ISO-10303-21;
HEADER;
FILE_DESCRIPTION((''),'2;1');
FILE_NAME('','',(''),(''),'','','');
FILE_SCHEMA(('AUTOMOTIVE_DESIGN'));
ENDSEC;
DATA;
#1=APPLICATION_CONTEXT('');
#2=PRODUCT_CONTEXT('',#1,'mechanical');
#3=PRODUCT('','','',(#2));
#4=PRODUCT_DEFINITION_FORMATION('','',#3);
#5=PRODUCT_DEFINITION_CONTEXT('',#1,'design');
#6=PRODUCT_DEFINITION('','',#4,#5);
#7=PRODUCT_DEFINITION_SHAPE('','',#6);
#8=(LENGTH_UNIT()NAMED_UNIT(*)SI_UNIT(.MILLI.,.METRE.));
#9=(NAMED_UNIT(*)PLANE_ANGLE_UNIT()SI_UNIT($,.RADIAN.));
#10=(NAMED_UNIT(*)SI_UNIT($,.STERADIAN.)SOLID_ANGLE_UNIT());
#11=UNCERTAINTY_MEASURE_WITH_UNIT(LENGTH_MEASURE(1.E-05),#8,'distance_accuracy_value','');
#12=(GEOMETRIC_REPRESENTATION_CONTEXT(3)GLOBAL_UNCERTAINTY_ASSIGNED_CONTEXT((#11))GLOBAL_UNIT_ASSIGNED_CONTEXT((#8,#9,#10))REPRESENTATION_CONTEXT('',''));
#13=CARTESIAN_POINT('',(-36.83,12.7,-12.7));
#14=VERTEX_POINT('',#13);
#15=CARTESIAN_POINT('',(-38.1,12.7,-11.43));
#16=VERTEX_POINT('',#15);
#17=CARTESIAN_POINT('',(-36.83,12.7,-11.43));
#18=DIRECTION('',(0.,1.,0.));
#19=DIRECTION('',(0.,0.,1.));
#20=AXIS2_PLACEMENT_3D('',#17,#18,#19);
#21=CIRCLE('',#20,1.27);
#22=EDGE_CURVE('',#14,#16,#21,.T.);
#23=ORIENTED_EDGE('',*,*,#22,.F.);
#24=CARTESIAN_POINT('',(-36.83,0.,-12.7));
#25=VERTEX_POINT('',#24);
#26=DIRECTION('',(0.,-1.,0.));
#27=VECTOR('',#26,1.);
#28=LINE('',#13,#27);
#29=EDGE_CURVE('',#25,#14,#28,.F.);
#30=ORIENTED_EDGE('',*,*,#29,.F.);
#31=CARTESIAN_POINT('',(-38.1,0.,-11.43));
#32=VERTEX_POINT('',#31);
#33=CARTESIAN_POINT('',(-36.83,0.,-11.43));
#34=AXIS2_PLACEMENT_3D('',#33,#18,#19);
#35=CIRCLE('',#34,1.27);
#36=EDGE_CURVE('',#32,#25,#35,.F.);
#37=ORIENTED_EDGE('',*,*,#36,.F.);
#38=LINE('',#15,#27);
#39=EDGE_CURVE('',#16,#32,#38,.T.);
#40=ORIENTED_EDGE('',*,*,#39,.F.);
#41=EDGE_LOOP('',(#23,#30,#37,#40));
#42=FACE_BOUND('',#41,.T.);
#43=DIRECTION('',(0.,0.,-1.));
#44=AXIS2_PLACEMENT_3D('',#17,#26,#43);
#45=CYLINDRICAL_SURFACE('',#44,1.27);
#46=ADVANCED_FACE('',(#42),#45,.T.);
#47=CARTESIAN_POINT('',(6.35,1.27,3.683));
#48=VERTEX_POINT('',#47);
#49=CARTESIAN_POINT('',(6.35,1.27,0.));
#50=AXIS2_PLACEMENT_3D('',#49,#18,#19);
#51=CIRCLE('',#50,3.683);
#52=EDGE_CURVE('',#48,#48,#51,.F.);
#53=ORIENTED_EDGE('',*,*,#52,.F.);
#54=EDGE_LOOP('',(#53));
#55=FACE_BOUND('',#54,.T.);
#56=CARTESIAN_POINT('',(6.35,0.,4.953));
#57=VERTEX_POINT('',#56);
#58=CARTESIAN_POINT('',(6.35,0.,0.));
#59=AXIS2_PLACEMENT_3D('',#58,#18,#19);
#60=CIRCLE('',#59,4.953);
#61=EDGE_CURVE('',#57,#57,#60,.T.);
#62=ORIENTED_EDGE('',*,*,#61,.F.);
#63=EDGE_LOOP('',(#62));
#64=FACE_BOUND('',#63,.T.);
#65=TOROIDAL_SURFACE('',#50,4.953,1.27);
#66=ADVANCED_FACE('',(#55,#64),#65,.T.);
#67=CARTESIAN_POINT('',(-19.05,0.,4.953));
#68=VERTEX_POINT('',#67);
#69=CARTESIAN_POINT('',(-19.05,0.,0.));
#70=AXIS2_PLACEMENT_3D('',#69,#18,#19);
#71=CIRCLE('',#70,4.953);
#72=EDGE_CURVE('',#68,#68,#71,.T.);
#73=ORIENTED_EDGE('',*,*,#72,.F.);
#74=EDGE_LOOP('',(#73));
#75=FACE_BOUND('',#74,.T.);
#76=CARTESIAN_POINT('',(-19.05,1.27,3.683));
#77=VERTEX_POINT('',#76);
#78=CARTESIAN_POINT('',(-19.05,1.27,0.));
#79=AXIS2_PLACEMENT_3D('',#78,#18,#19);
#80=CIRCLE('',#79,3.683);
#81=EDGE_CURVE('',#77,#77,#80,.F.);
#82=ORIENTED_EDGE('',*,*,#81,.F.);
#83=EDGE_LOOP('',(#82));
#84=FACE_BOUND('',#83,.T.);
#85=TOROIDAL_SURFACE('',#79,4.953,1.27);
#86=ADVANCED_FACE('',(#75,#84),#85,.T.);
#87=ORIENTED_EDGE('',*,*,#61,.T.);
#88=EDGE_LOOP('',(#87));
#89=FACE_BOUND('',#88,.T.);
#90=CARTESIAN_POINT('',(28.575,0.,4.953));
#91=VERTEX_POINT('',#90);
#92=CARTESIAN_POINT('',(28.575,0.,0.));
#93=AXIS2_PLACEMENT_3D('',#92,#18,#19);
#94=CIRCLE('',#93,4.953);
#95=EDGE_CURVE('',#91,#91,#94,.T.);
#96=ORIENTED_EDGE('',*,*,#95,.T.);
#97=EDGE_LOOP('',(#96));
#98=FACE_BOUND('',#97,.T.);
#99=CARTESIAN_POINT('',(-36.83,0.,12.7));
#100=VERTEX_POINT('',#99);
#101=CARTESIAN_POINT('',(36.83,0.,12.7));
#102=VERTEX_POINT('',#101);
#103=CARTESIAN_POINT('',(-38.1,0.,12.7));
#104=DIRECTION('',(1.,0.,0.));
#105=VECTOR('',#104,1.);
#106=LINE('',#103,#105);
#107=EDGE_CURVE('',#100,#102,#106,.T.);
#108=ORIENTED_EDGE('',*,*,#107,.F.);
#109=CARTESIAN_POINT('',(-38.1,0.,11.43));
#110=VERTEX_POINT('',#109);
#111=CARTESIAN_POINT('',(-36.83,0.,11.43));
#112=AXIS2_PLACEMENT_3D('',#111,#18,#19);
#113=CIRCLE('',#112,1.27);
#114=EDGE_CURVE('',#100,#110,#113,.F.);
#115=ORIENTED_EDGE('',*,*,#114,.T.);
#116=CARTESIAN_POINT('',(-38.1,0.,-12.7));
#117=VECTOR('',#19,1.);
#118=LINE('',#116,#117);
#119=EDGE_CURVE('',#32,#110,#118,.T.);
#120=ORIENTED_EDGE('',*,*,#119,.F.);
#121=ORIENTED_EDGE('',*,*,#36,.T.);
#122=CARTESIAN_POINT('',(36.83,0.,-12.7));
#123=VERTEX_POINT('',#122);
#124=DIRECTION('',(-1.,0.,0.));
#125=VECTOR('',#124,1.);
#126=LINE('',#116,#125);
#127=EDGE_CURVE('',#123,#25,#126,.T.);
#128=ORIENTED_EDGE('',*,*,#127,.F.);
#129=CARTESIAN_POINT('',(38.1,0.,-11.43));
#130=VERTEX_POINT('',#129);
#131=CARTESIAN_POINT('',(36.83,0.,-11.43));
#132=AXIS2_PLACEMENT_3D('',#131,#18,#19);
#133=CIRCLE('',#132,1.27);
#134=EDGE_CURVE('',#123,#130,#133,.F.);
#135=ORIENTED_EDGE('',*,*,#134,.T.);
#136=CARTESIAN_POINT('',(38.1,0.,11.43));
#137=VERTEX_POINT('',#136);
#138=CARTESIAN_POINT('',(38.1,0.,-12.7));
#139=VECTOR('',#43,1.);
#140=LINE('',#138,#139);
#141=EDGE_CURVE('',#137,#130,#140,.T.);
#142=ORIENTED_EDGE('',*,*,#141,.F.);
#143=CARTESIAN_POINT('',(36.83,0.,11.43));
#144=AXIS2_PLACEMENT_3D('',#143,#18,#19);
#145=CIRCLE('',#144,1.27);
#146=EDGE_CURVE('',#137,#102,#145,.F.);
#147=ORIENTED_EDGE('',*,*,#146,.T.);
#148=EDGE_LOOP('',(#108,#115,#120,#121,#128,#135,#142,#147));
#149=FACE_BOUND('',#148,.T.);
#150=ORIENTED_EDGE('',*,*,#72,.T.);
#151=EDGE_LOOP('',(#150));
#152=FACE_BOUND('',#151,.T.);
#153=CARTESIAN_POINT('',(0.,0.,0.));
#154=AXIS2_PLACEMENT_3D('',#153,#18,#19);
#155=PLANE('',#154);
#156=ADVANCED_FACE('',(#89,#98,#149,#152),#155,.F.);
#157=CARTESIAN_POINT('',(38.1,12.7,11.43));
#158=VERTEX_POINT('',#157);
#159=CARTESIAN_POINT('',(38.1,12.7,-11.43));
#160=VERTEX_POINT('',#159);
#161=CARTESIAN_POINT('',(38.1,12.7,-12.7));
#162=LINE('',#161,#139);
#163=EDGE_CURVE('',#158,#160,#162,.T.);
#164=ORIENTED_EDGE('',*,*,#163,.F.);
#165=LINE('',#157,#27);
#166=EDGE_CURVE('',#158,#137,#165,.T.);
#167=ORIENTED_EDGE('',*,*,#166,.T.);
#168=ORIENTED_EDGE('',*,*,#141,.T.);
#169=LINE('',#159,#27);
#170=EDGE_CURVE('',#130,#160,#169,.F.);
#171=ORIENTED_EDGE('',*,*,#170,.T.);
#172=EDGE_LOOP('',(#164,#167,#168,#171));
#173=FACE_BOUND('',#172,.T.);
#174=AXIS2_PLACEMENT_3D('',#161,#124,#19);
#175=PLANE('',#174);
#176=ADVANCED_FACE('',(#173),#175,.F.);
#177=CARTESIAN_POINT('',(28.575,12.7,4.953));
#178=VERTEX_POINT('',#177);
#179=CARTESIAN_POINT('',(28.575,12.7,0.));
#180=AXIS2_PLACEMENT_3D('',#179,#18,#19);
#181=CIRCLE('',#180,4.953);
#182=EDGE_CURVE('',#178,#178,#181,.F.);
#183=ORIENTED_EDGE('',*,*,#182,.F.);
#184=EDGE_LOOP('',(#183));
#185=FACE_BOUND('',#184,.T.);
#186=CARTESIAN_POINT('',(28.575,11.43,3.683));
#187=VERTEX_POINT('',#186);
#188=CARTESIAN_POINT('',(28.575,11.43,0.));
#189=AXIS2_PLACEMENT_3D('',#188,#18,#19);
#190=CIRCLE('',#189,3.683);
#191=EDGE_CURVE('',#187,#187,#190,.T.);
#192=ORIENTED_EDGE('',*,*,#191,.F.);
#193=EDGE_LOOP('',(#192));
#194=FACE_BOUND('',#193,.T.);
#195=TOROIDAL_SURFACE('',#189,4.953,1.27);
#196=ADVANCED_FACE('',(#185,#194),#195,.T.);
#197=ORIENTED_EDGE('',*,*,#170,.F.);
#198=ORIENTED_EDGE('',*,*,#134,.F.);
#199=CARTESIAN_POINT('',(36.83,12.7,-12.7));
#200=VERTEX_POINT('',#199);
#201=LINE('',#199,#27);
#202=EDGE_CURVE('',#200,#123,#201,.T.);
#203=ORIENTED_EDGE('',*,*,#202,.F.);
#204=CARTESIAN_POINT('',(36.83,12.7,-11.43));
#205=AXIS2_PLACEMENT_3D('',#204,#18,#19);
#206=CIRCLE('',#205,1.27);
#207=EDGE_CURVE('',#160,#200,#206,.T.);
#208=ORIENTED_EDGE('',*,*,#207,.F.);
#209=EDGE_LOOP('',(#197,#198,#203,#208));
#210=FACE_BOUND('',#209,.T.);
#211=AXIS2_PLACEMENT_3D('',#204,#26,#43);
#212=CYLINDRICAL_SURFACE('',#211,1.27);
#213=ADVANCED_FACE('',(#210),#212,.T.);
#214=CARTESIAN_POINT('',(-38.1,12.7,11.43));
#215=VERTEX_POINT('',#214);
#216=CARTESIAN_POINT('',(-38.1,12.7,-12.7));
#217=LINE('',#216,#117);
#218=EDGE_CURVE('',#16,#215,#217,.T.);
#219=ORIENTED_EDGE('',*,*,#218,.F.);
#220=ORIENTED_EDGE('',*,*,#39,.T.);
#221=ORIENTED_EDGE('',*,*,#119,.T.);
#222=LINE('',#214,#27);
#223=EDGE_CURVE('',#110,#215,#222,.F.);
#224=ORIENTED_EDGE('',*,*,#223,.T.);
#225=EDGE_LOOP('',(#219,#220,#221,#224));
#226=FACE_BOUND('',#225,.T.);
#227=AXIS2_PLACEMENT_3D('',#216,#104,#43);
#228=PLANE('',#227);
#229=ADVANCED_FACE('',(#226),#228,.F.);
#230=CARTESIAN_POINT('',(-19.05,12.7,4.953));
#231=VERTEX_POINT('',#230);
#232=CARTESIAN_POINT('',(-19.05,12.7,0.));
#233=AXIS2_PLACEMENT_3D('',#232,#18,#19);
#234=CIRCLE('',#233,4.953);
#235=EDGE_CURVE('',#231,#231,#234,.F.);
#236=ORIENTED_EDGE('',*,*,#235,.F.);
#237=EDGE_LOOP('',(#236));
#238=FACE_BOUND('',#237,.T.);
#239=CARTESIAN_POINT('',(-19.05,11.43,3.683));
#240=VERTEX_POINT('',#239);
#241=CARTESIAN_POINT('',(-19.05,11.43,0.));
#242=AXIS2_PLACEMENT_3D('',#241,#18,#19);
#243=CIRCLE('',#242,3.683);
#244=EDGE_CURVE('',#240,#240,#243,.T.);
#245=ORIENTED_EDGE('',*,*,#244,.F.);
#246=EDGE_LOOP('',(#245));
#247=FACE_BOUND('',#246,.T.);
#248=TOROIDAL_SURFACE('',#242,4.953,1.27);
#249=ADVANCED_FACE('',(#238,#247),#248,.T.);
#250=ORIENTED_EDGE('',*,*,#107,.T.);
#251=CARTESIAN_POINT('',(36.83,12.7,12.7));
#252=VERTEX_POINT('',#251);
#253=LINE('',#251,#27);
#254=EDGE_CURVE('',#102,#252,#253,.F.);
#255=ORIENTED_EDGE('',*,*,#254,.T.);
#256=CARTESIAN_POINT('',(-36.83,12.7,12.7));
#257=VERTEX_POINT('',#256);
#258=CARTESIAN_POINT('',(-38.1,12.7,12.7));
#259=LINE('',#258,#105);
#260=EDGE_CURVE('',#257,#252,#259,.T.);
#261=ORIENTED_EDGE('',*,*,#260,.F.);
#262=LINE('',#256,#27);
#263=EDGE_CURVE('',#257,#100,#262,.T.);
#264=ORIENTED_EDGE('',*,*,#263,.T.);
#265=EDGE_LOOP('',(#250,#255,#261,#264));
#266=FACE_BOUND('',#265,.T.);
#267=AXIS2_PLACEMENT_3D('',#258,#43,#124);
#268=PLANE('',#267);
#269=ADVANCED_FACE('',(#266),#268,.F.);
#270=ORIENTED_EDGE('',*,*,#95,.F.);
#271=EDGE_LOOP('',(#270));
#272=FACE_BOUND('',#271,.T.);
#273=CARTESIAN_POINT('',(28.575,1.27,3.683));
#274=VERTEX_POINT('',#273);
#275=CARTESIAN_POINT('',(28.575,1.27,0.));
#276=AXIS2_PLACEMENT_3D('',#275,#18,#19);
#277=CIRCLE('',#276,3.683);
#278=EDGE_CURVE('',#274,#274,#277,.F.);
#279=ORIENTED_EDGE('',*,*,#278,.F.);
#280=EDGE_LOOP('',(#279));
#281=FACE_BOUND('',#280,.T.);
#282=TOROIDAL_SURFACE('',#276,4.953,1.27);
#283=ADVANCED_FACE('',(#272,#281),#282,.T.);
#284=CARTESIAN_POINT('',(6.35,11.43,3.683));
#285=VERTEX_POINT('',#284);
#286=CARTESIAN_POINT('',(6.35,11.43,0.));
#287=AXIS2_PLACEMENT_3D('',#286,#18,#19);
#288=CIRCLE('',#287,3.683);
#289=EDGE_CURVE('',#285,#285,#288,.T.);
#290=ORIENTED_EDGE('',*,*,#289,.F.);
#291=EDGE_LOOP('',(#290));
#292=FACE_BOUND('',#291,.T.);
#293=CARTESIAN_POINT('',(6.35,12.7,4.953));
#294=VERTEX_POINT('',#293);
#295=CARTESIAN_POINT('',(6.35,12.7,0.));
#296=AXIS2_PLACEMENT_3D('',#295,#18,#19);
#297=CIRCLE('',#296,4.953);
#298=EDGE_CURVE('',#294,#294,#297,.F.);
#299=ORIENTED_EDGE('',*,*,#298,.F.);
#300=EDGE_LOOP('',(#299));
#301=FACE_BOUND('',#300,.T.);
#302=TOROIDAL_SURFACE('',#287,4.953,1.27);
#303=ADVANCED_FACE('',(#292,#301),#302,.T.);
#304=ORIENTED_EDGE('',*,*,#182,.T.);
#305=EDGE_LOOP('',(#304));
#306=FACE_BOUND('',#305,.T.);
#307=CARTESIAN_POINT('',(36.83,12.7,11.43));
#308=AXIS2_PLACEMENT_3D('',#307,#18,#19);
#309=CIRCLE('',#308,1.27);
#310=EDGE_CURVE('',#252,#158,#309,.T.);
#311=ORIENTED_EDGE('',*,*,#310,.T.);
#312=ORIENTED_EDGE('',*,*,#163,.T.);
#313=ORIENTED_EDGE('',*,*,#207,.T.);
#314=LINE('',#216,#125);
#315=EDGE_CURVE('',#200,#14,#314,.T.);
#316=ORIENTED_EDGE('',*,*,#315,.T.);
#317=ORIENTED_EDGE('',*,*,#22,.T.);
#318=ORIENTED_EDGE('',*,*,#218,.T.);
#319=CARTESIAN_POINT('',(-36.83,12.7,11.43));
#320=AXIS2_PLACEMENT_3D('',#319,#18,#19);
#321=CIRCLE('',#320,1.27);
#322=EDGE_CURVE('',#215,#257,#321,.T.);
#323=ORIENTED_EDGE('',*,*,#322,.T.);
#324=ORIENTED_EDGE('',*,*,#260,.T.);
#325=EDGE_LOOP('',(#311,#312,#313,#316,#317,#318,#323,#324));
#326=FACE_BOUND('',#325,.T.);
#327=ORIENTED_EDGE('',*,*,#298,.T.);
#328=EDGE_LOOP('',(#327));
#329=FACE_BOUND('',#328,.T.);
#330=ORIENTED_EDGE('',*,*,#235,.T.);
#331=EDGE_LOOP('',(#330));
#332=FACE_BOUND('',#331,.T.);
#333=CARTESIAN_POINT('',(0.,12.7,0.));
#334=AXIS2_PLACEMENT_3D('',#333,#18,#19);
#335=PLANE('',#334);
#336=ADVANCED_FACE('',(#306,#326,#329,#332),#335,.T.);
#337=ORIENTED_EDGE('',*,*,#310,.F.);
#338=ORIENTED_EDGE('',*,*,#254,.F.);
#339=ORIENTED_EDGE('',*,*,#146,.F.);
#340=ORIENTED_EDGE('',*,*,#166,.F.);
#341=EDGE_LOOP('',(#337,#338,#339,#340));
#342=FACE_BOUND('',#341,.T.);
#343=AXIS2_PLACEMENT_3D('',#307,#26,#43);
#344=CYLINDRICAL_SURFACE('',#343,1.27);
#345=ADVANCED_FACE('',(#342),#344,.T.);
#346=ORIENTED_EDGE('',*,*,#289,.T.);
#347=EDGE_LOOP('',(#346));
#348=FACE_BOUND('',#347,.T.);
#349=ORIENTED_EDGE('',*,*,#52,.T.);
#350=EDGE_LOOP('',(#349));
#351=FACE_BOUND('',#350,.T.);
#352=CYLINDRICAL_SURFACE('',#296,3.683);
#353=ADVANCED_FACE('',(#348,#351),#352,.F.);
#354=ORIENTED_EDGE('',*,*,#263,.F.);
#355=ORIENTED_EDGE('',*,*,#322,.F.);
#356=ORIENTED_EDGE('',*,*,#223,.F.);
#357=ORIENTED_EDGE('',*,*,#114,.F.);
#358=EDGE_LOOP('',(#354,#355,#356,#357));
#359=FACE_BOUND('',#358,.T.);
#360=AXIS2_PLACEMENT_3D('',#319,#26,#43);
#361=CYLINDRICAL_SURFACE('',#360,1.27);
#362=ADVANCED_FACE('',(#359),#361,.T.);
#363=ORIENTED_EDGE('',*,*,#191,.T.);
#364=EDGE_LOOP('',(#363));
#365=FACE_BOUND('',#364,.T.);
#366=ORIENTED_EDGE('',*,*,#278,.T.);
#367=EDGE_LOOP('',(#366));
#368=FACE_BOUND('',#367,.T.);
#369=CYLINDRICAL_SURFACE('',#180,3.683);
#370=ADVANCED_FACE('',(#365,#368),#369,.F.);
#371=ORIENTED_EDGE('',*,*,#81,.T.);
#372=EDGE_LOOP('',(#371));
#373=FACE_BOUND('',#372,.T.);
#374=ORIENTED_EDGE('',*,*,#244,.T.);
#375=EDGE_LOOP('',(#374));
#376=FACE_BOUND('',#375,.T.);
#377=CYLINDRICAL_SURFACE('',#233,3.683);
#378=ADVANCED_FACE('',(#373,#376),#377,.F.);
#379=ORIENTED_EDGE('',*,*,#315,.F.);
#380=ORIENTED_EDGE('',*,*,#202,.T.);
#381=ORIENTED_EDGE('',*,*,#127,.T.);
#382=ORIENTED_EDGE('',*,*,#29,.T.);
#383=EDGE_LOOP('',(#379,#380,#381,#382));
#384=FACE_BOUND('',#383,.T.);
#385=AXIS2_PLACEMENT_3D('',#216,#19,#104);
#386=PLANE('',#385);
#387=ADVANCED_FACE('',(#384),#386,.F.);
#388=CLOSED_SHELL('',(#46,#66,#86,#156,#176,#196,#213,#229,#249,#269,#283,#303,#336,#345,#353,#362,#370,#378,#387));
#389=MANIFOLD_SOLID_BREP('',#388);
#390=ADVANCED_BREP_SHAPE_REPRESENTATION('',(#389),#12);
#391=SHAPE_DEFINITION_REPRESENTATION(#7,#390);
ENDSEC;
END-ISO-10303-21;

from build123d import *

# Parameters (mm, degrees)
SKETCH1_W               = 76.2
SKETCH1_H               = 25.4
BOSS_EXTRUDE1_DEPTH     = 12.7
F_1_4_CLEARANCE_HOLE1_D = 7.366
FILLET1_R               = 1.27


with BuildPart() as part:
    # Sketch1 → Boss-Extrude1 (new body)
    with BuildSketch(Plane(origin=(0, 0, 0), x_dir=(1, 0, 0), z_dir=(0, 1, 0))):
        Rectangle(SKETCH1_W, SKETCH1_H)
    extrude(amount=BOSS_EXTRUDE1_DEPTH)

    # 1/4 Clearance Hole1 (through all)
    with Locations(Plane(origin=(0, 12.7, 0), x_dir=(1, 0, 0), z_dir=(0, 1, 0))):
        with Locations((28.575, 0), (-19.05, 0), (6.35, 0)):
            Hole(F_1_4_CLEARANCE_HOLE1_D / 2)

    # Fillet1
    fillet1_edges = [part.edges().sort_by_distance(p)[0] for p in [
        (10.033, 12.7, 0),
        (10.033, 0, 0),
        (-15.367, 12.7, 0),
        (-15.367, 0, 0),
        (32.258, 12.7, 0),
        (32.258, 0, 0),
        (38.1, 6.35, 12.7),
        (-38.1, 6.35, 12.7),
        (-38.1, 6.35, -12.7),
        (38.1, 6.35, -12.7),
    ]]
    fillet(fillet1_edges, radius=FILLET1_R)


solid = part.part
